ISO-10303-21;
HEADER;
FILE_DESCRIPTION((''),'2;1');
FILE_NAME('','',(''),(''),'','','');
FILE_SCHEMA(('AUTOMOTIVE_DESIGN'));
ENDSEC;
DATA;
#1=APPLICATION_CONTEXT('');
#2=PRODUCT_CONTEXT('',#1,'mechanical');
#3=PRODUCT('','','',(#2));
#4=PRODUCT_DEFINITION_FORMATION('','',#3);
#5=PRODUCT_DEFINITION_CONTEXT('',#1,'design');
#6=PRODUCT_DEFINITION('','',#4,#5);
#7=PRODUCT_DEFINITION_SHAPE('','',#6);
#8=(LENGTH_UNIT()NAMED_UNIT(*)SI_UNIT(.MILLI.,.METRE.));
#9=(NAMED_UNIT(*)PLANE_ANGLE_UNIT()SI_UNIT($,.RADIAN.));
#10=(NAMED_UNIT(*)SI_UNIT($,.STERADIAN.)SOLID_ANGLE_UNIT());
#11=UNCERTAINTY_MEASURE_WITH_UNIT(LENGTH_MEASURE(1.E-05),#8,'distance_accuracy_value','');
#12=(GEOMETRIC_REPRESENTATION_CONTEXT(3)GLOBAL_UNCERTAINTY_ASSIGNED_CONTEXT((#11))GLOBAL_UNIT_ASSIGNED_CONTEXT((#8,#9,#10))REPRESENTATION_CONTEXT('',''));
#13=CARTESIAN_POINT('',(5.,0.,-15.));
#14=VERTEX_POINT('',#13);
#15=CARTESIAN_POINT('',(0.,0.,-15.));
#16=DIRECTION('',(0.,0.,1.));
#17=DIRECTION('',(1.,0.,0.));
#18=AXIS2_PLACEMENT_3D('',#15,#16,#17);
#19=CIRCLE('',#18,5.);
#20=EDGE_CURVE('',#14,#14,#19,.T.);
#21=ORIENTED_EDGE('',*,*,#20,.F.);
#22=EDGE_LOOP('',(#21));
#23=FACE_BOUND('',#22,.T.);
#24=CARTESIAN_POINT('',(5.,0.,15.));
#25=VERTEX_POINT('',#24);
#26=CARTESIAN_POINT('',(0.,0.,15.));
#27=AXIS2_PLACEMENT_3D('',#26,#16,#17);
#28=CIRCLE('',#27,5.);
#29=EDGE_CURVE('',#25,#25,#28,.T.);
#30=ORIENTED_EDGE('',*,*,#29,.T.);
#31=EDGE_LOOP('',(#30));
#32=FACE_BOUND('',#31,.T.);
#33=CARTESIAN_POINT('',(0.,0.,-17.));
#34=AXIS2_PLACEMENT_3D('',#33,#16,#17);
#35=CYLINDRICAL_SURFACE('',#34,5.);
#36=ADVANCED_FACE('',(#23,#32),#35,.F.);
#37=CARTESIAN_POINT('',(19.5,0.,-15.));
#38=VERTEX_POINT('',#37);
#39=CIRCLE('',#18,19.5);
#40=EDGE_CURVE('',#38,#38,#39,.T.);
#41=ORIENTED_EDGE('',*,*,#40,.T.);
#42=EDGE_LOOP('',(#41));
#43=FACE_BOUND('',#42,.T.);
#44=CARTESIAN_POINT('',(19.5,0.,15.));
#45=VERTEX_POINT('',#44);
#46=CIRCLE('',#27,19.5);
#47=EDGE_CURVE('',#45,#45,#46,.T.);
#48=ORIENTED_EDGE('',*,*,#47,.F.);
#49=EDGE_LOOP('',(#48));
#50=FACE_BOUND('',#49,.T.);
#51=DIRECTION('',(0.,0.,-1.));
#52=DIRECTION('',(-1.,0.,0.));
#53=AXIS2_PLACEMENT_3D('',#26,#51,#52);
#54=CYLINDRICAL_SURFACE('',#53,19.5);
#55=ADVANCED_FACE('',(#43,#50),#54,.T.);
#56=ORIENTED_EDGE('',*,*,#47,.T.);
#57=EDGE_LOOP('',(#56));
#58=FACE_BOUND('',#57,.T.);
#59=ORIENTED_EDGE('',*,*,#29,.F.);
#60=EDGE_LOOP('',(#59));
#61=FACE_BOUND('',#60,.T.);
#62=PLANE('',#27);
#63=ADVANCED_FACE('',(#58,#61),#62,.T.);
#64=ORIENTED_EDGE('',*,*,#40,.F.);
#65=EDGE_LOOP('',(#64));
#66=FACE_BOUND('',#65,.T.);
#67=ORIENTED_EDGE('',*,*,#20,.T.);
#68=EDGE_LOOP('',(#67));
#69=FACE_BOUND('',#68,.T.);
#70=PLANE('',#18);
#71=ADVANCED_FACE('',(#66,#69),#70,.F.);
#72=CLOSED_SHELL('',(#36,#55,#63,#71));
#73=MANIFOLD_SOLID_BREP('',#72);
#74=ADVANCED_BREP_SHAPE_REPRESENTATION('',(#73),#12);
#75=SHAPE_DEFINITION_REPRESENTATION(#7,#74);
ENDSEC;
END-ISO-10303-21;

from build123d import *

# Parameters (mm, degrees)
SKETCH1_R           = 19.5
BOSS_EXTRUDE1_DEPTH = 15
SKETCH2_R           = 5
CUT_EXTRUDE1_DEPTH  = 32


with BuildPart() as part:
    # Sketch1 → Boss-Extrude1 (new, symmetric)
    with BuildSketch(Plane.XY):
        Circle(SKETCH1_R)
    extrude(amount=BOSS_EXTRUDE1_DEPTH, both=True)

    # Sketch2 → Cut-Extrude1 (cut)
    with BuildSketch(Plane.XY.offset(15)):
        Circle(SKETCH2_R)
    extrude(amount=-CUT_EXTRUDE1_DEPTH, mode=Mode.SUBTRACT)


solid = part.part
